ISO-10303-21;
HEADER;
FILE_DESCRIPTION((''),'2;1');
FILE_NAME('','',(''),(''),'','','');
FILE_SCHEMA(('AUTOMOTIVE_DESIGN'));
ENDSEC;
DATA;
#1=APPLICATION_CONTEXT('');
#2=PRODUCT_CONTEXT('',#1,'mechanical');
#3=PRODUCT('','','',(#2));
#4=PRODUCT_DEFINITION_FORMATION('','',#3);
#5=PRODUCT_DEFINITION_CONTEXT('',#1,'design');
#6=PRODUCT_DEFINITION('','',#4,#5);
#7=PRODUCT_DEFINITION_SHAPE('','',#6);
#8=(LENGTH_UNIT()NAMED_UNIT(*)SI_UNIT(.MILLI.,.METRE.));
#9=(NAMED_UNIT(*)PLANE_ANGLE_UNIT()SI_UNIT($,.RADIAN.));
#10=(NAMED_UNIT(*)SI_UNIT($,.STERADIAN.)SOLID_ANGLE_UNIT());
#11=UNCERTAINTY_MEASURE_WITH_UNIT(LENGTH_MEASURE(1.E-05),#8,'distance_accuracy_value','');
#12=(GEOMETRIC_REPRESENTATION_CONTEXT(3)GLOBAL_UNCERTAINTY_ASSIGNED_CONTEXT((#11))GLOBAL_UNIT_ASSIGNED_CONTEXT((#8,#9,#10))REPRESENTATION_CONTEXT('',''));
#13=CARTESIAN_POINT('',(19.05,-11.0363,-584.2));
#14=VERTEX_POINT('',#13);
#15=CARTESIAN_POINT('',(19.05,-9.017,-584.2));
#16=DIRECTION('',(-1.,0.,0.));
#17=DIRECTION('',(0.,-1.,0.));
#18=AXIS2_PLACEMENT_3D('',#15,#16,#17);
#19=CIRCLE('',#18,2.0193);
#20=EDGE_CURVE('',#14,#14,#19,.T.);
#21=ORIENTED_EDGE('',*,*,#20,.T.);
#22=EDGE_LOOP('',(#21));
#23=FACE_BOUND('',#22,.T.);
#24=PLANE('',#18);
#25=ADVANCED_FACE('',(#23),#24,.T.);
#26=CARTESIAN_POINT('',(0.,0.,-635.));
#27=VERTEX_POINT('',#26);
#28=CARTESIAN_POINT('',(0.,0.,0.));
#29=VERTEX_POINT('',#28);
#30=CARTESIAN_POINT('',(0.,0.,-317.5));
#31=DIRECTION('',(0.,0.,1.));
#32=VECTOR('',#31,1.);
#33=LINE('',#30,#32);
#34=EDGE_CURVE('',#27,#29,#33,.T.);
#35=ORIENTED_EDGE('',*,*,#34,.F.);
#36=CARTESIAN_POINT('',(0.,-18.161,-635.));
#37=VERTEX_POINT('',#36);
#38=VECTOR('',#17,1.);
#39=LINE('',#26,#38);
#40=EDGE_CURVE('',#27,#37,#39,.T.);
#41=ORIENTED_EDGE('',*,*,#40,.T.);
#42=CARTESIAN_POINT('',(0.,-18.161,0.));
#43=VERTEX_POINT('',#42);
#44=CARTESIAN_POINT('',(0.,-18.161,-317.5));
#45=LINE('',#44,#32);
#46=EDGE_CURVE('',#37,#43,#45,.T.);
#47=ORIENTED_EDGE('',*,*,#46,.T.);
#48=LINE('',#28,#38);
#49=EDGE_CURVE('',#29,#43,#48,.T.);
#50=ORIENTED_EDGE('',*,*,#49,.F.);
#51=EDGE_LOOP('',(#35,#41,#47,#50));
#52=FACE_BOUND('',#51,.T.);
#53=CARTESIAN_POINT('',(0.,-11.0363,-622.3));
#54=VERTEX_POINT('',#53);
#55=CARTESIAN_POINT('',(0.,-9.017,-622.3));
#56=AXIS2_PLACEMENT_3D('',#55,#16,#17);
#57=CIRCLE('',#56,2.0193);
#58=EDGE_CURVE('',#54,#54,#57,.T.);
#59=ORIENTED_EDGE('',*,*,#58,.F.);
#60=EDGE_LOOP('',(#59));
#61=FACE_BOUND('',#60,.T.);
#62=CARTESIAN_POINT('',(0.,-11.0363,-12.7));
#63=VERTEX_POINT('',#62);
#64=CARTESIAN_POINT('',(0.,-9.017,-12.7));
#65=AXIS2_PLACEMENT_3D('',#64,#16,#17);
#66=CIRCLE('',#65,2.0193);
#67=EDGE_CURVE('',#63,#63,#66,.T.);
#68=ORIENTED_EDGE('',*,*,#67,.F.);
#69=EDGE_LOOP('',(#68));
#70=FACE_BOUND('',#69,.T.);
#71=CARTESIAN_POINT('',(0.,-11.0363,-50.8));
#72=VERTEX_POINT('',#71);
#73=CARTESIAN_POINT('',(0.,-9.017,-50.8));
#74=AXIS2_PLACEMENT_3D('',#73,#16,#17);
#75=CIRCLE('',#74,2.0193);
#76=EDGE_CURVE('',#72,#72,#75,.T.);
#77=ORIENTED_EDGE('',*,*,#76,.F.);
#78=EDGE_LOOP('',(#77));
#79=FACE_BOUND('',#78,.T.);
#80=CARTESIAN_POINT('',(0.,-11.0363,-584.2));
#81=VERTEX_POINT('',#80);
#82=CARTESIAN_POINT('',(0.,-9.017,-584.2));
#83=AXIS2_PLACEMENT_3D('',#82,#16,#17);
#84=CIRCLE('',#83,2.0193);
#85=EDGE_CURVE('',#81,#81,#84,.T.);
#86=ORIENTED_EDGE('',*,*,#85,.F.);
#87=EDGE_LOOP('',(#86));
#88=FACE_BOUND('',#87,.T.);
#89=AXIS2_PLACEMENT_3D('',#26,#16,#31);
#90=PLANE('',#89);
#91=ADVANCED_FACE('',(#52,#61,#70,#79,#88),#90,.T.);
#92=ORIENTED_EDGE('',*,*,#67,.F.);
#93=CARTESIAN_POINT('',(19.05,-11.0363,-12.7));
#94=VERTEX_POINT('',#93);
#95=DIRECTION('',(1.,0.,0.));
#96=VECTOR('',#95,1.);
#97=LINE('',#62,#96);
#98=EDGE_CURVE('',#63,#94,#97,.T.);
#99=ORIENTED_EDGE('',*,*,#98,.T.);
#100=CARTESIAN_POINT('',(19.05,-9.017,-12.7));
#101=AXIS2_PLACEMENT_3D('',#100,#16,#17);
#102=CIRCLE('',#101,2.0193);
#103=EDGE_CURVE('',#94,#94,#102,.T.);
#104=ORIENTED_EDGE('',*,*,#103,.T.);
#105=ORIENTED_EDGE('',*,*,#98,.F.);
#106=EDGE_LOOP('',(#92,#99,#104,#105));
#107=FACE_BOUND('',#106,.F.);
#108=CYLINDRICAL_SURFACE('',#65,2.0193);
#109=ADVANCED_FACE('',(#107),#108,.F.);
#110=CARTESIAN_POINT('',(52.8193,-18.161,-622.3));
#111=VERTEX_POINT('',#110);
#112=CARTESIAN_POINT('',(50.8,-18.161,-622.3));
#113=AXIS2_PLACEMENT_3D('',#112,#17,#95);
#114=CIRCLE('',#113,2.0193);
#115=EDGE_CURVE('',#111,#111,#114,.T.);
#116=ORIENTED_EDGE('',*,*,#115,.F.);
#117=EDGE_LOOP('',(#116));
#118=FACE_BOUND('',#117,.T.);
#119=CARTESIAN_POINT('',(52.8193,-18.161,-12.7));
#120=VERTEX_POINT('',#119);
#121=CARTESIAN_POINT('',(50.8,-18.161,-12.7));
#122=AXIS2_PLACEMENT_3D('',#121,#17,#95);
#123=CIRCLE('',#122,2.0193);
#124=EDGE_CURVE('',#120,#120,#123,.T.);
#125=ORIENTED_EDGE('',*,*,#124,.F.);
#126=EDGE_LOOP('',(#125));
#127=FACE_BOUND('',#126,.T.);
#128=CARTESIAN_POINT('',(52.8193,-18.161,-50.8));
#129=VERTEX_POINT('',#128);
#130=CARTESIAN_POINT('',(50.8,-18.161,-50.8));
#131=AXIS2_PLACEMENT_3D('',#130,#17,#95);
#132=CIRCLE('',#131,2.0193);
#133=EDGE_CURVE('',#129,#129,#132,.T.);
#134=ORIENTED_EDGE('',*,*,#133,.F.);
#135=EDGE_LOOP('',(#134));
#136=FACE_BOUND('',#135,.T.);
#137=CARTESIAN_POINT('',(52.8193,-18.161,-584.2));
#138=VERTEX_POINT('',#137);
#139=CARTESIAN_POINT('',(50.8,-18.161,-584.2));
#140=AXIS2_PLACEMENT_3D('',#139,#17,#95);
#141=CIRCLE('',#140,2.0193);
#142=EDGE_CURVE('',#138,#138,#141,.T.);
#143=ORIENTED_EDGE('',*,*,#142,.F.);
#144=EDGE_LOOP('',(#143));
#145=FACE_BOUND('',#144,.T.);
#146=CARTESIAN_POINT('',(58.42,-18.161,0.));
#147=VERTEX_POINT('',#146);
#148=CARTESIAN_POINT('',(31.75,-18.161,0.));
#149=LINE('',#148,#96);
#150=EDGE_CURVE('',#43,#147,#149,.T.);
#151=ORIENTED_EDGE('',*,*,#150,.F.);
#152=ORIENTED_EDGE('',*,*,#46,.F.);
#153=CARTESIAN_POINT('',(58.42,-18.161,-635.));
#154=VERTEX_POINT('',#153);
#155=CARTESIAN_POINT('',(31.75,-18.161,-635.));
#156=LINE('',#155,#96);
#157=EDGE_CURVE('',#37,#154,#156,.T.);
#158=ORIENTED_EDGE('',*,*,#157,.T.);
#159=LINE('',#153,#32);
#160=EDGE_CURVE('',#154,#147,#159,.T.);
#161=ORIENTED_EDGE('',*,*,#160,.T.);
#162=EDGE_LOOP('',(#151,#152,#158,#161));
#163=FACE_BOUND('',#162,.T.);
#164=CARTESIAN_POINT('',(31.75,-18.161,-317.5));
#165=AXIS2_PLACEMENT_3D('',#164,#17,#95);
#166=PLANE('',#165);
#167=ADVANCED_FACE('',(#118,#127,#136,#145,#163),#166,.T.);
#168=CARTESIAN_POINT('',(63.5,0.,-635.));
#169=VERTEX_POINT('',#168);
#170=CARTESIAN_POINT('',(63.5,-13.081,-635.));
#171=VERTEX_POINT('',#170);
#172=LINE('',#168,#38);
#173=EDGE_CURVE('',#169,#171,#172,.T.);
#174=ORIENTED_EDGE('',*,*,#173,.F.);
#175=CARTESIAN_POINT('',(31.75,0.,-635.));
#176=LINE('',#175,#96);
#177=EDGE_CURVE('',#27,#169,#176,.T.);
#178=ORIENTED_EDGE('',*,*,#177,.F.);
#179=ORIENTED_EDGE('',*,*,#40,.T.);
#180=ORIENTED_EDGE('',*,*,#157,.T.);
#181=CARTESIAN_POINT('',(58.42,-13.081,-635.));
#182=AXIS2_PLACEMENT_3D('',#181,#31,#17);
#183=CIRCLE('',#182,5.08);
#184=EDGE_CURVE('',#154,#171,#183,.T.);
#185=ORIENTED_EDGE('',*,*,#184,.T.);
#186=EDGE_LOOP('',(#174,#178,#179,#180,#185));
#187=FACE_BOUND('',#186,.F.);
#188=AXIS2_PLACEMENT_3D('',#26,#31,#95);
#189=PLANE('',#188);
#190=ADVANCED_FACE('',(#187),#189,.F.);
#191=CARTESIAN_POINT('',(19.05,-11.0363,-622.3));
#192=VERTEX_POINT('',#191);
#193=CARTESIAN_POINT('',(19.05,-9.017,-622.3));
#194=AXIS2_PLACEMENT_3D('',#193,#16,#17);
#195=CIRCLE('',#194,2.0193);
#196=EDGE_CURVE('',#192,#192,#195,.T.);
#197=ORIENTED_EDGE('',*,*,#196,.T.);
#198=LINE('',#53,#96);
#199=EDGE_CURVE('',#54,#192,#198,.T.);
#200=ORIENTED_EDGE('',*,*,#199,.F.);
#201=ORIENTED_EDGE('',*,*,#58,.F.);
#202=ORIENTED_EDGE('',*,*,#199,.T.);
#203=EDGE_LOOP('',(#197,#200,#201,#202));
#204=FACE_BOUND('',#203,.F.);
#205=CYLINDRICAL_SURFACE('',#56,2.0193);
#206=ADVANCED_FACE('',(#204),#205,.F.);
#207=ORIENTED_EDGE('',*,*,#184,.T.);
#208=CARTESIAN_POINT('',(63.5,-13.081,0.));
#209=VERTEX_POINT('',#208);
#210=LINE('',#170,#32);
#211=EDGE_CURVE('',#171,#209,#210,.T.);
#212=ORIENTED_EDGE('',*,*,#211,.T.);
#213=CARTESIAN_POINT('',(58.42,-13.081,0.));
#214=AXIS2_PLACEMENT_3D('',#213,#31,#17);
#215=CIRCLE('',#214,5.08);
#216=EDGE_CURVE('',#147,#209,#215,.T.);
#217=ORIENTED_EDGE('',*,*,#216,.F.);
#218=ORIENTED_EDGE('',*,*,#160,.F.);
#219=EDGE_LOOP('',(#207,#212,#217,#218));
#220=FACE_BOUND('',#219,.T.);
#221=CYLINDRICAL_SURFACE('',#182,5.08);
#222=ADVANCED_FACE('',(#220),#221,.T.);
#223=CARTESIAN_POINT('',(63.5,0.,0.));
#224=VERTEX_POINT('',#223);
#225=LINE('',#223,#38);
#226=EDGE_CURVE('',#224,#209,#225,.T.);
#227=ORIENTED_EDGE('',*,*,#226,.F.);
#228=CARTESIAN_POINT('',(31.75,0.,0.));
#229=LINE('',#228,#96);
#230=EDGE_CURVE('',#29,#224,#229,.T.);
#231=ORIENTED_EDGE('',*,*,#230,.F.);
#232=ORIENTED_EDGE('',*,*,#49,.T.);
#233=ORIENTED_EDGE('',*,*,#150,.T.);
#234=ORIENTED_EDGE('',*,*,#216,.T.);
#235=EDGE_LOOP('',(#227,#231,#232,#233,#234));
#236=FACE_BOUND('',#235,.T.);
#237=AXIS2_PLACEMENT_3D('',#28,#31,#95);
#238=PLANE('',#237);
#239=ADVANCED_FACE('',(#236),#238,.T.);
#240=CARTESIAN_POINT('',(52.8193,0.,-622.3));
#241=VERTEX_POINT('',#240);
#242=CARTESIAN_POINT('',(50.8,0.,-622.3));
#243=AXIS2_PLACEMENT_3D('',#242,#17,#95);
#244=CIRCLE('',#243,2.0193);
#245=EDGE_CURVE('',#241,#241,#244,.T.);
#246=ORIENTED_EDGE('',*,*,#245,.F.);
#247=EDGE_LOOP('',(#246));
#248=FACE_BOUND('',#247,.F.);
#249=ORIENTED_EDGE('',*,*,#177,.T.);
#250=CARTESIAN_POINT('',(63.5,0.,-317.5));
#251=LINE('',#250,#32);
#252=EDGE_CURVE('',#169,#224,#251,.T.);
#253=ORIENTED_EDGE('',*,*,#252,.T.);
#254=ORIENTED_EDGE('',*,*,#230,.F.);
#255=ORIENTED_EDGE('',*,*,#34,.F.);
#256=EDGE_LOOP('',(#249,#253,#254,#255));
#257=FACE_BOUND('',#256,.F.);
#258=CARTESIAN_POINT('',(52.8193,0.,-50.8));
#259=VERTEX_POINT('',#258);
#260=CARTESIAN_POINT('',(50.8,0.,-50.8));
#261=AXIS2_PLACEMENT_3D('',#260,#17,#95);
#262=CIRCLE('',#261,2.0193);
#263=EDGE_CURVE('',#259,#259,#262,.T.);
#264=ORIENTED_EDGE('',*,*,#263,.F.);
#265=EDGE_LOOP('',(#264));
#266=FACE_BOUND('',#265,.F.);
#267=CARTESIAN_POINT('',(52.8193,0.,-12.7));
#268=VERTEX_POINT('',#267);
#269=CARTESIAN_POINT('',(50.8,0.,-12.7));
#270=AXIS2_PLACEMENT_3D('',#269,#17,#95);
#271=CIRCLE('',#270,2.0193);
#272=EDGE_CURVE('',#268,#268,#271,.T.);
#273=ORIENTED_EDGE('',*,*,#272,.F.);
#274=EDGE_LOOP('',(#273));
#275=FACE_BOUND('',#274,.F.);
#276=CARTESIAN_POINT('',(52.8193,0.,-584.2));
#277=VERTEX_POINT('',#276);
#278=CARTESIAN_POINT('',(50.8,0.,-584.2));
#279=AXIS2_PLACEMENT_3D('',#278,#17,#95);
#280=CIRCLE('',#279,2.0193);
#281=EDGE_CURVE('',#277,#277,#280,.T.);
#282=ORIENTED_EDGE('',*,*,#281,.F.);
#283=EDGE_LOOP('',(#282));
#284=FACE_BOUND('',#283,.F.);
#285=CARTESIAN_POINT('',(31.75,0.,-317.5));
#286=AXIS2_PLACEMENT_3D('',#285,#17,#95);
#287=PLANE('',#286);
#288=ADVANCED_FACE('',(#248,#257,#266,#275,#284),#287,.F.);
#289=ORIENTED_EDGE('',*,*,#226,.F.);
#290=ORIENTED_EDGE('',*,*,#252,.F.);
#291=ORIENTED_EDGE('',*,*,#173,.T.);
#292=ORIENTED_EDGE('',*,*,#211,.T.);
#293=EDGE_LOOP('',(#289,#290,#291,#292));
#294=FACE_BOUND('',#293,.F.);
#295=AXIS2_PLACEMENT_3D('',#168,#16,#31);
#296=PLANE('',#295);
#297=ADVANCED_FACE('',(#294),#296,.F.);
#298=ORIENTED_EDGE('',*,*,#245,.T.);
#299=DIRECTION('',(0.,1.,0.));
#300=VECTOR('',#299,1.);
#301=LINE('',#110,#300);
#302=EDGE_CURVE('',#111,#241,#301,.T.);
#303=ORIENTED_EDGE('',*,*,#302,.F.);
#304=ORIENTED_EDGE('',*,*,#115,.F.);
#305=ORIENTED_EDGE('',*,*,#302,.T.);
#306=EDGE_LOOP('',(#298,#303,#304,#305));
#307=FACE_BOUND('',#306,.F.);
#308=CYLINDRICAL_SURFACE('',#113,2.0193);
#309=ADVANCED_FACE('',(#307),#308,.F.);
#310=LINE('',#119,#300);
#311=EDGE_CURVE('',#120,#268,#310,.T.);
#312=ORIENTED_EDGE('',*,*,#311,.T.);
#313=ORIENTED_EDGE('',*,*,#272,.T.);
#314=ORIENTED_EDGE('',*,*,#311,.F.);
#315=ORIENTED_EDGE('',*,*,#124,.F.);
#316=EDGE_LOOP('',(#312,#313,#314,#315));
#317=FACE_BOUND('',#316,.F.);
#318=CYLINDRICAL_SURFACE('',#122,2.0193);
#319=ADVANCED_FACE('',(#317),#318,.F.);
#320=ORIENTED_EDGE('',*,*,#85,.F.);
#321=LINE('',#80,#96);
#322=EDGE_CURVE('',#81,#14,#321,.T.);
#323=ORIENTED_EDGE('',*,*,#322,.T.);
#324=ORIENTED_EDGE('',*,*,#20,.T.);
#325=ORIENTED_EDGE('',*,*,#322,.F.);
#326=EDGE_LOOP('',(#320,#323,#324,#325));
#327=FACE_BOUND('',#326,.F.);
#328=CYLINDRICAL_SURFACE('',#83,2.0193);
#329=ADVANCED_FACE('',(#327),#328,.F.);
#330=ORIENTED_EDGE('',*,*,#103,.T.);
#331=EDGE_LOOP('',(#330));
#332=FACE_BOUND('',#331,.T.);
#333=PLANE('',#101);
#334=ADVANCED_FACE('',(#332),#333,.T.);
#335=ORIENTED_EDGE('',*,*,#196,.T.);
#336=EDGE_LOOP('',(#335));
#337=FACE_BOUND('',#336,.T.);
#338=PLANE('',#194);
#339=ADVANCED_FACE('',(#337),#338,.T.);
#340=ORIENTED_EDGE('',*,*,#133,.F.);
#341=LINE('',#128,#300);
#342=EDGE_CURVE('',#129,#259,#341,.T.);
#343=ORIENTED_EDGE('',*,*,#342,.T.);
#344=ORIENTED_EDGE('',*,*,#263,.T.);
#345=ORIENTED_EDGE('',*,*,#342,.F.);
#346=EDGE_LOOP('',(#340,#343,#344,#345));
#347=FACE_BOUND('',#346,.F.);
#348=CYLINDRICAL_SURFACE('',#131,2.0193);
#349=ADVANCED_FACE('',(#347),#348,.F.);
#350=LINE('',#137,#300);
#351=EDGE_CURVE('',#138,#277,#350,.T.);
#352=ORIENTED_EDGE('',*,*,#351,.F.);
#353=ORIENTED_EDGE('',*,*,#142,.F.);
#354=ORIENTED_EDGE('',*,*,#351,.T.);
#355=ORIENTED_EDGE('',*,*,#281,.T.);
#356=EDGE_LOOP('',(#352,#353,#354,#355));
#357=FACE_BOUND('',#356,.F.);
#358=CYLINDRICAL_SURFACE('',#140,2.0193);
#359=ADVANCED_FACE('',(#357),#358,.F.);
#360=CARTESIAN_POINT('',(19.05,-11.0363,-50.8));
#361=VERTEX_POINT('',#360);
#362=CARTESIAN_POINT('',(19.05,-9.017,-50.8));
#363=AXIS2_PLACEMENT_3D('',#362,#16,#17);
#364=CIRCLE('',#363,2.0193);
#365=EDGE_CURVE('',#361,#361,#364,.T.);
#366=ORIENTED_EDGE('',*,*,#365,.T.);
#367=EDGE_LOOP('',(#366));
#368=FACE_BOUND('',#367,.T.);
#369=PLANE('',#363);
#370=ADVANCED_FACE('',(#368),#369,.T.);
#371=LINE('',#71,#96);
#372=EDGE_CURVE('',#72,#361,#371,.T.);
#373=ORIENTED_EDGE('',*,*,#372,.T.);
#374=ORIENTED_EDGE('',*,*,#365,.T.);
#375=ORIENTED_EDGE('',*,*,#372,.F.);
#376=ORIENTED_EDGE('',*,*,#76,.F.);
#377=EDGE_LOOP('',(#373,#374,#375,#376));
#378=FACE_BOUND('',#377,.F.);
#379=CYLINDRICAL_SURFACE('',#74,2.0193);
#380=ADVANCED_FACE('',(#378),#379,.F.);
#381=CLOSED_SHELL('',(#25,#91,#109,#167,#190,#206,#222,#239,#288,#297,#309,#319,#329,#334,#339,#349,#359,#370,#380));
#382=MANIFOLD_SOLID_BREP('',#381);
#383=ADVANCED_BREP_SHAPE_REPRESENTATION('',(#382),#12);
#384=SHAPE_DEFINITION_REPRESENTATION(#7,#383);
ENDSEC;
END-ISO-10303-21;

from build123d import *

# Parameters (mm, degrees)
F0_W     = 63.5
F0_H     = 635
F1_DEPTH = 18.161
F2_R     = 2.0193
F3_DEPTH = 18.162
F4_R     = 2.0193
F5_DEPTH = 19.05
F6_R     = 5.08


with BuildPart() as f1:
    # F0 (on Front) → F1 (new body)
    with BuildSketch(Plane.XZ):
        with Locations((31.75, -317.5)):
            Rectangle(F0_W, F0_H)
    extrude(amount=F1_DEPTH)

    # F2 (on face) → F3 (cut, through all)
    with BuildSketch(Plane.XZ.offset(18.161)):
        with Locations((50.8, -12.7)):
            Circle(F2_R)
        with Locations((50.8, -50.8)):
            Circle(F2_R)
        with Locations((50.8, -622.3)):
            Circle(F2_R)
        with Locations((50.8, -584.2)):
            Circle(F2_R)
    extrude(amount=-F3_DEPTH, mode=Mode.SUBTRACT)

    # F4 (on face) → F5 (cut)
    with BuildSketch(Plane(origin=(0, 0, 0), x_dir=(0, -1, 0), z_dir=(-1, 0, 0))):
        with Locations((9.017, -12.7)):
            Circle(F4_R)
        with Locations((9.017, -50.8)):
            Circle(F4_R)
        with Locations((9.017, -622.3)):
            Circle(F4_R)
        with Locations((9.017, -584.2)):
            Circle(F4_R)
    extrude(amount=-F5_DEPTH, mode=Mode.SUBTRACT)

    # F6
    f6_edges = [f1.edges().sort_by_distance(p)[0] for p in [
        (63.5, -18.161, -317.5),
    ]]
    fillet(f6_edges, radius=F6_R)


solid = f1.part
